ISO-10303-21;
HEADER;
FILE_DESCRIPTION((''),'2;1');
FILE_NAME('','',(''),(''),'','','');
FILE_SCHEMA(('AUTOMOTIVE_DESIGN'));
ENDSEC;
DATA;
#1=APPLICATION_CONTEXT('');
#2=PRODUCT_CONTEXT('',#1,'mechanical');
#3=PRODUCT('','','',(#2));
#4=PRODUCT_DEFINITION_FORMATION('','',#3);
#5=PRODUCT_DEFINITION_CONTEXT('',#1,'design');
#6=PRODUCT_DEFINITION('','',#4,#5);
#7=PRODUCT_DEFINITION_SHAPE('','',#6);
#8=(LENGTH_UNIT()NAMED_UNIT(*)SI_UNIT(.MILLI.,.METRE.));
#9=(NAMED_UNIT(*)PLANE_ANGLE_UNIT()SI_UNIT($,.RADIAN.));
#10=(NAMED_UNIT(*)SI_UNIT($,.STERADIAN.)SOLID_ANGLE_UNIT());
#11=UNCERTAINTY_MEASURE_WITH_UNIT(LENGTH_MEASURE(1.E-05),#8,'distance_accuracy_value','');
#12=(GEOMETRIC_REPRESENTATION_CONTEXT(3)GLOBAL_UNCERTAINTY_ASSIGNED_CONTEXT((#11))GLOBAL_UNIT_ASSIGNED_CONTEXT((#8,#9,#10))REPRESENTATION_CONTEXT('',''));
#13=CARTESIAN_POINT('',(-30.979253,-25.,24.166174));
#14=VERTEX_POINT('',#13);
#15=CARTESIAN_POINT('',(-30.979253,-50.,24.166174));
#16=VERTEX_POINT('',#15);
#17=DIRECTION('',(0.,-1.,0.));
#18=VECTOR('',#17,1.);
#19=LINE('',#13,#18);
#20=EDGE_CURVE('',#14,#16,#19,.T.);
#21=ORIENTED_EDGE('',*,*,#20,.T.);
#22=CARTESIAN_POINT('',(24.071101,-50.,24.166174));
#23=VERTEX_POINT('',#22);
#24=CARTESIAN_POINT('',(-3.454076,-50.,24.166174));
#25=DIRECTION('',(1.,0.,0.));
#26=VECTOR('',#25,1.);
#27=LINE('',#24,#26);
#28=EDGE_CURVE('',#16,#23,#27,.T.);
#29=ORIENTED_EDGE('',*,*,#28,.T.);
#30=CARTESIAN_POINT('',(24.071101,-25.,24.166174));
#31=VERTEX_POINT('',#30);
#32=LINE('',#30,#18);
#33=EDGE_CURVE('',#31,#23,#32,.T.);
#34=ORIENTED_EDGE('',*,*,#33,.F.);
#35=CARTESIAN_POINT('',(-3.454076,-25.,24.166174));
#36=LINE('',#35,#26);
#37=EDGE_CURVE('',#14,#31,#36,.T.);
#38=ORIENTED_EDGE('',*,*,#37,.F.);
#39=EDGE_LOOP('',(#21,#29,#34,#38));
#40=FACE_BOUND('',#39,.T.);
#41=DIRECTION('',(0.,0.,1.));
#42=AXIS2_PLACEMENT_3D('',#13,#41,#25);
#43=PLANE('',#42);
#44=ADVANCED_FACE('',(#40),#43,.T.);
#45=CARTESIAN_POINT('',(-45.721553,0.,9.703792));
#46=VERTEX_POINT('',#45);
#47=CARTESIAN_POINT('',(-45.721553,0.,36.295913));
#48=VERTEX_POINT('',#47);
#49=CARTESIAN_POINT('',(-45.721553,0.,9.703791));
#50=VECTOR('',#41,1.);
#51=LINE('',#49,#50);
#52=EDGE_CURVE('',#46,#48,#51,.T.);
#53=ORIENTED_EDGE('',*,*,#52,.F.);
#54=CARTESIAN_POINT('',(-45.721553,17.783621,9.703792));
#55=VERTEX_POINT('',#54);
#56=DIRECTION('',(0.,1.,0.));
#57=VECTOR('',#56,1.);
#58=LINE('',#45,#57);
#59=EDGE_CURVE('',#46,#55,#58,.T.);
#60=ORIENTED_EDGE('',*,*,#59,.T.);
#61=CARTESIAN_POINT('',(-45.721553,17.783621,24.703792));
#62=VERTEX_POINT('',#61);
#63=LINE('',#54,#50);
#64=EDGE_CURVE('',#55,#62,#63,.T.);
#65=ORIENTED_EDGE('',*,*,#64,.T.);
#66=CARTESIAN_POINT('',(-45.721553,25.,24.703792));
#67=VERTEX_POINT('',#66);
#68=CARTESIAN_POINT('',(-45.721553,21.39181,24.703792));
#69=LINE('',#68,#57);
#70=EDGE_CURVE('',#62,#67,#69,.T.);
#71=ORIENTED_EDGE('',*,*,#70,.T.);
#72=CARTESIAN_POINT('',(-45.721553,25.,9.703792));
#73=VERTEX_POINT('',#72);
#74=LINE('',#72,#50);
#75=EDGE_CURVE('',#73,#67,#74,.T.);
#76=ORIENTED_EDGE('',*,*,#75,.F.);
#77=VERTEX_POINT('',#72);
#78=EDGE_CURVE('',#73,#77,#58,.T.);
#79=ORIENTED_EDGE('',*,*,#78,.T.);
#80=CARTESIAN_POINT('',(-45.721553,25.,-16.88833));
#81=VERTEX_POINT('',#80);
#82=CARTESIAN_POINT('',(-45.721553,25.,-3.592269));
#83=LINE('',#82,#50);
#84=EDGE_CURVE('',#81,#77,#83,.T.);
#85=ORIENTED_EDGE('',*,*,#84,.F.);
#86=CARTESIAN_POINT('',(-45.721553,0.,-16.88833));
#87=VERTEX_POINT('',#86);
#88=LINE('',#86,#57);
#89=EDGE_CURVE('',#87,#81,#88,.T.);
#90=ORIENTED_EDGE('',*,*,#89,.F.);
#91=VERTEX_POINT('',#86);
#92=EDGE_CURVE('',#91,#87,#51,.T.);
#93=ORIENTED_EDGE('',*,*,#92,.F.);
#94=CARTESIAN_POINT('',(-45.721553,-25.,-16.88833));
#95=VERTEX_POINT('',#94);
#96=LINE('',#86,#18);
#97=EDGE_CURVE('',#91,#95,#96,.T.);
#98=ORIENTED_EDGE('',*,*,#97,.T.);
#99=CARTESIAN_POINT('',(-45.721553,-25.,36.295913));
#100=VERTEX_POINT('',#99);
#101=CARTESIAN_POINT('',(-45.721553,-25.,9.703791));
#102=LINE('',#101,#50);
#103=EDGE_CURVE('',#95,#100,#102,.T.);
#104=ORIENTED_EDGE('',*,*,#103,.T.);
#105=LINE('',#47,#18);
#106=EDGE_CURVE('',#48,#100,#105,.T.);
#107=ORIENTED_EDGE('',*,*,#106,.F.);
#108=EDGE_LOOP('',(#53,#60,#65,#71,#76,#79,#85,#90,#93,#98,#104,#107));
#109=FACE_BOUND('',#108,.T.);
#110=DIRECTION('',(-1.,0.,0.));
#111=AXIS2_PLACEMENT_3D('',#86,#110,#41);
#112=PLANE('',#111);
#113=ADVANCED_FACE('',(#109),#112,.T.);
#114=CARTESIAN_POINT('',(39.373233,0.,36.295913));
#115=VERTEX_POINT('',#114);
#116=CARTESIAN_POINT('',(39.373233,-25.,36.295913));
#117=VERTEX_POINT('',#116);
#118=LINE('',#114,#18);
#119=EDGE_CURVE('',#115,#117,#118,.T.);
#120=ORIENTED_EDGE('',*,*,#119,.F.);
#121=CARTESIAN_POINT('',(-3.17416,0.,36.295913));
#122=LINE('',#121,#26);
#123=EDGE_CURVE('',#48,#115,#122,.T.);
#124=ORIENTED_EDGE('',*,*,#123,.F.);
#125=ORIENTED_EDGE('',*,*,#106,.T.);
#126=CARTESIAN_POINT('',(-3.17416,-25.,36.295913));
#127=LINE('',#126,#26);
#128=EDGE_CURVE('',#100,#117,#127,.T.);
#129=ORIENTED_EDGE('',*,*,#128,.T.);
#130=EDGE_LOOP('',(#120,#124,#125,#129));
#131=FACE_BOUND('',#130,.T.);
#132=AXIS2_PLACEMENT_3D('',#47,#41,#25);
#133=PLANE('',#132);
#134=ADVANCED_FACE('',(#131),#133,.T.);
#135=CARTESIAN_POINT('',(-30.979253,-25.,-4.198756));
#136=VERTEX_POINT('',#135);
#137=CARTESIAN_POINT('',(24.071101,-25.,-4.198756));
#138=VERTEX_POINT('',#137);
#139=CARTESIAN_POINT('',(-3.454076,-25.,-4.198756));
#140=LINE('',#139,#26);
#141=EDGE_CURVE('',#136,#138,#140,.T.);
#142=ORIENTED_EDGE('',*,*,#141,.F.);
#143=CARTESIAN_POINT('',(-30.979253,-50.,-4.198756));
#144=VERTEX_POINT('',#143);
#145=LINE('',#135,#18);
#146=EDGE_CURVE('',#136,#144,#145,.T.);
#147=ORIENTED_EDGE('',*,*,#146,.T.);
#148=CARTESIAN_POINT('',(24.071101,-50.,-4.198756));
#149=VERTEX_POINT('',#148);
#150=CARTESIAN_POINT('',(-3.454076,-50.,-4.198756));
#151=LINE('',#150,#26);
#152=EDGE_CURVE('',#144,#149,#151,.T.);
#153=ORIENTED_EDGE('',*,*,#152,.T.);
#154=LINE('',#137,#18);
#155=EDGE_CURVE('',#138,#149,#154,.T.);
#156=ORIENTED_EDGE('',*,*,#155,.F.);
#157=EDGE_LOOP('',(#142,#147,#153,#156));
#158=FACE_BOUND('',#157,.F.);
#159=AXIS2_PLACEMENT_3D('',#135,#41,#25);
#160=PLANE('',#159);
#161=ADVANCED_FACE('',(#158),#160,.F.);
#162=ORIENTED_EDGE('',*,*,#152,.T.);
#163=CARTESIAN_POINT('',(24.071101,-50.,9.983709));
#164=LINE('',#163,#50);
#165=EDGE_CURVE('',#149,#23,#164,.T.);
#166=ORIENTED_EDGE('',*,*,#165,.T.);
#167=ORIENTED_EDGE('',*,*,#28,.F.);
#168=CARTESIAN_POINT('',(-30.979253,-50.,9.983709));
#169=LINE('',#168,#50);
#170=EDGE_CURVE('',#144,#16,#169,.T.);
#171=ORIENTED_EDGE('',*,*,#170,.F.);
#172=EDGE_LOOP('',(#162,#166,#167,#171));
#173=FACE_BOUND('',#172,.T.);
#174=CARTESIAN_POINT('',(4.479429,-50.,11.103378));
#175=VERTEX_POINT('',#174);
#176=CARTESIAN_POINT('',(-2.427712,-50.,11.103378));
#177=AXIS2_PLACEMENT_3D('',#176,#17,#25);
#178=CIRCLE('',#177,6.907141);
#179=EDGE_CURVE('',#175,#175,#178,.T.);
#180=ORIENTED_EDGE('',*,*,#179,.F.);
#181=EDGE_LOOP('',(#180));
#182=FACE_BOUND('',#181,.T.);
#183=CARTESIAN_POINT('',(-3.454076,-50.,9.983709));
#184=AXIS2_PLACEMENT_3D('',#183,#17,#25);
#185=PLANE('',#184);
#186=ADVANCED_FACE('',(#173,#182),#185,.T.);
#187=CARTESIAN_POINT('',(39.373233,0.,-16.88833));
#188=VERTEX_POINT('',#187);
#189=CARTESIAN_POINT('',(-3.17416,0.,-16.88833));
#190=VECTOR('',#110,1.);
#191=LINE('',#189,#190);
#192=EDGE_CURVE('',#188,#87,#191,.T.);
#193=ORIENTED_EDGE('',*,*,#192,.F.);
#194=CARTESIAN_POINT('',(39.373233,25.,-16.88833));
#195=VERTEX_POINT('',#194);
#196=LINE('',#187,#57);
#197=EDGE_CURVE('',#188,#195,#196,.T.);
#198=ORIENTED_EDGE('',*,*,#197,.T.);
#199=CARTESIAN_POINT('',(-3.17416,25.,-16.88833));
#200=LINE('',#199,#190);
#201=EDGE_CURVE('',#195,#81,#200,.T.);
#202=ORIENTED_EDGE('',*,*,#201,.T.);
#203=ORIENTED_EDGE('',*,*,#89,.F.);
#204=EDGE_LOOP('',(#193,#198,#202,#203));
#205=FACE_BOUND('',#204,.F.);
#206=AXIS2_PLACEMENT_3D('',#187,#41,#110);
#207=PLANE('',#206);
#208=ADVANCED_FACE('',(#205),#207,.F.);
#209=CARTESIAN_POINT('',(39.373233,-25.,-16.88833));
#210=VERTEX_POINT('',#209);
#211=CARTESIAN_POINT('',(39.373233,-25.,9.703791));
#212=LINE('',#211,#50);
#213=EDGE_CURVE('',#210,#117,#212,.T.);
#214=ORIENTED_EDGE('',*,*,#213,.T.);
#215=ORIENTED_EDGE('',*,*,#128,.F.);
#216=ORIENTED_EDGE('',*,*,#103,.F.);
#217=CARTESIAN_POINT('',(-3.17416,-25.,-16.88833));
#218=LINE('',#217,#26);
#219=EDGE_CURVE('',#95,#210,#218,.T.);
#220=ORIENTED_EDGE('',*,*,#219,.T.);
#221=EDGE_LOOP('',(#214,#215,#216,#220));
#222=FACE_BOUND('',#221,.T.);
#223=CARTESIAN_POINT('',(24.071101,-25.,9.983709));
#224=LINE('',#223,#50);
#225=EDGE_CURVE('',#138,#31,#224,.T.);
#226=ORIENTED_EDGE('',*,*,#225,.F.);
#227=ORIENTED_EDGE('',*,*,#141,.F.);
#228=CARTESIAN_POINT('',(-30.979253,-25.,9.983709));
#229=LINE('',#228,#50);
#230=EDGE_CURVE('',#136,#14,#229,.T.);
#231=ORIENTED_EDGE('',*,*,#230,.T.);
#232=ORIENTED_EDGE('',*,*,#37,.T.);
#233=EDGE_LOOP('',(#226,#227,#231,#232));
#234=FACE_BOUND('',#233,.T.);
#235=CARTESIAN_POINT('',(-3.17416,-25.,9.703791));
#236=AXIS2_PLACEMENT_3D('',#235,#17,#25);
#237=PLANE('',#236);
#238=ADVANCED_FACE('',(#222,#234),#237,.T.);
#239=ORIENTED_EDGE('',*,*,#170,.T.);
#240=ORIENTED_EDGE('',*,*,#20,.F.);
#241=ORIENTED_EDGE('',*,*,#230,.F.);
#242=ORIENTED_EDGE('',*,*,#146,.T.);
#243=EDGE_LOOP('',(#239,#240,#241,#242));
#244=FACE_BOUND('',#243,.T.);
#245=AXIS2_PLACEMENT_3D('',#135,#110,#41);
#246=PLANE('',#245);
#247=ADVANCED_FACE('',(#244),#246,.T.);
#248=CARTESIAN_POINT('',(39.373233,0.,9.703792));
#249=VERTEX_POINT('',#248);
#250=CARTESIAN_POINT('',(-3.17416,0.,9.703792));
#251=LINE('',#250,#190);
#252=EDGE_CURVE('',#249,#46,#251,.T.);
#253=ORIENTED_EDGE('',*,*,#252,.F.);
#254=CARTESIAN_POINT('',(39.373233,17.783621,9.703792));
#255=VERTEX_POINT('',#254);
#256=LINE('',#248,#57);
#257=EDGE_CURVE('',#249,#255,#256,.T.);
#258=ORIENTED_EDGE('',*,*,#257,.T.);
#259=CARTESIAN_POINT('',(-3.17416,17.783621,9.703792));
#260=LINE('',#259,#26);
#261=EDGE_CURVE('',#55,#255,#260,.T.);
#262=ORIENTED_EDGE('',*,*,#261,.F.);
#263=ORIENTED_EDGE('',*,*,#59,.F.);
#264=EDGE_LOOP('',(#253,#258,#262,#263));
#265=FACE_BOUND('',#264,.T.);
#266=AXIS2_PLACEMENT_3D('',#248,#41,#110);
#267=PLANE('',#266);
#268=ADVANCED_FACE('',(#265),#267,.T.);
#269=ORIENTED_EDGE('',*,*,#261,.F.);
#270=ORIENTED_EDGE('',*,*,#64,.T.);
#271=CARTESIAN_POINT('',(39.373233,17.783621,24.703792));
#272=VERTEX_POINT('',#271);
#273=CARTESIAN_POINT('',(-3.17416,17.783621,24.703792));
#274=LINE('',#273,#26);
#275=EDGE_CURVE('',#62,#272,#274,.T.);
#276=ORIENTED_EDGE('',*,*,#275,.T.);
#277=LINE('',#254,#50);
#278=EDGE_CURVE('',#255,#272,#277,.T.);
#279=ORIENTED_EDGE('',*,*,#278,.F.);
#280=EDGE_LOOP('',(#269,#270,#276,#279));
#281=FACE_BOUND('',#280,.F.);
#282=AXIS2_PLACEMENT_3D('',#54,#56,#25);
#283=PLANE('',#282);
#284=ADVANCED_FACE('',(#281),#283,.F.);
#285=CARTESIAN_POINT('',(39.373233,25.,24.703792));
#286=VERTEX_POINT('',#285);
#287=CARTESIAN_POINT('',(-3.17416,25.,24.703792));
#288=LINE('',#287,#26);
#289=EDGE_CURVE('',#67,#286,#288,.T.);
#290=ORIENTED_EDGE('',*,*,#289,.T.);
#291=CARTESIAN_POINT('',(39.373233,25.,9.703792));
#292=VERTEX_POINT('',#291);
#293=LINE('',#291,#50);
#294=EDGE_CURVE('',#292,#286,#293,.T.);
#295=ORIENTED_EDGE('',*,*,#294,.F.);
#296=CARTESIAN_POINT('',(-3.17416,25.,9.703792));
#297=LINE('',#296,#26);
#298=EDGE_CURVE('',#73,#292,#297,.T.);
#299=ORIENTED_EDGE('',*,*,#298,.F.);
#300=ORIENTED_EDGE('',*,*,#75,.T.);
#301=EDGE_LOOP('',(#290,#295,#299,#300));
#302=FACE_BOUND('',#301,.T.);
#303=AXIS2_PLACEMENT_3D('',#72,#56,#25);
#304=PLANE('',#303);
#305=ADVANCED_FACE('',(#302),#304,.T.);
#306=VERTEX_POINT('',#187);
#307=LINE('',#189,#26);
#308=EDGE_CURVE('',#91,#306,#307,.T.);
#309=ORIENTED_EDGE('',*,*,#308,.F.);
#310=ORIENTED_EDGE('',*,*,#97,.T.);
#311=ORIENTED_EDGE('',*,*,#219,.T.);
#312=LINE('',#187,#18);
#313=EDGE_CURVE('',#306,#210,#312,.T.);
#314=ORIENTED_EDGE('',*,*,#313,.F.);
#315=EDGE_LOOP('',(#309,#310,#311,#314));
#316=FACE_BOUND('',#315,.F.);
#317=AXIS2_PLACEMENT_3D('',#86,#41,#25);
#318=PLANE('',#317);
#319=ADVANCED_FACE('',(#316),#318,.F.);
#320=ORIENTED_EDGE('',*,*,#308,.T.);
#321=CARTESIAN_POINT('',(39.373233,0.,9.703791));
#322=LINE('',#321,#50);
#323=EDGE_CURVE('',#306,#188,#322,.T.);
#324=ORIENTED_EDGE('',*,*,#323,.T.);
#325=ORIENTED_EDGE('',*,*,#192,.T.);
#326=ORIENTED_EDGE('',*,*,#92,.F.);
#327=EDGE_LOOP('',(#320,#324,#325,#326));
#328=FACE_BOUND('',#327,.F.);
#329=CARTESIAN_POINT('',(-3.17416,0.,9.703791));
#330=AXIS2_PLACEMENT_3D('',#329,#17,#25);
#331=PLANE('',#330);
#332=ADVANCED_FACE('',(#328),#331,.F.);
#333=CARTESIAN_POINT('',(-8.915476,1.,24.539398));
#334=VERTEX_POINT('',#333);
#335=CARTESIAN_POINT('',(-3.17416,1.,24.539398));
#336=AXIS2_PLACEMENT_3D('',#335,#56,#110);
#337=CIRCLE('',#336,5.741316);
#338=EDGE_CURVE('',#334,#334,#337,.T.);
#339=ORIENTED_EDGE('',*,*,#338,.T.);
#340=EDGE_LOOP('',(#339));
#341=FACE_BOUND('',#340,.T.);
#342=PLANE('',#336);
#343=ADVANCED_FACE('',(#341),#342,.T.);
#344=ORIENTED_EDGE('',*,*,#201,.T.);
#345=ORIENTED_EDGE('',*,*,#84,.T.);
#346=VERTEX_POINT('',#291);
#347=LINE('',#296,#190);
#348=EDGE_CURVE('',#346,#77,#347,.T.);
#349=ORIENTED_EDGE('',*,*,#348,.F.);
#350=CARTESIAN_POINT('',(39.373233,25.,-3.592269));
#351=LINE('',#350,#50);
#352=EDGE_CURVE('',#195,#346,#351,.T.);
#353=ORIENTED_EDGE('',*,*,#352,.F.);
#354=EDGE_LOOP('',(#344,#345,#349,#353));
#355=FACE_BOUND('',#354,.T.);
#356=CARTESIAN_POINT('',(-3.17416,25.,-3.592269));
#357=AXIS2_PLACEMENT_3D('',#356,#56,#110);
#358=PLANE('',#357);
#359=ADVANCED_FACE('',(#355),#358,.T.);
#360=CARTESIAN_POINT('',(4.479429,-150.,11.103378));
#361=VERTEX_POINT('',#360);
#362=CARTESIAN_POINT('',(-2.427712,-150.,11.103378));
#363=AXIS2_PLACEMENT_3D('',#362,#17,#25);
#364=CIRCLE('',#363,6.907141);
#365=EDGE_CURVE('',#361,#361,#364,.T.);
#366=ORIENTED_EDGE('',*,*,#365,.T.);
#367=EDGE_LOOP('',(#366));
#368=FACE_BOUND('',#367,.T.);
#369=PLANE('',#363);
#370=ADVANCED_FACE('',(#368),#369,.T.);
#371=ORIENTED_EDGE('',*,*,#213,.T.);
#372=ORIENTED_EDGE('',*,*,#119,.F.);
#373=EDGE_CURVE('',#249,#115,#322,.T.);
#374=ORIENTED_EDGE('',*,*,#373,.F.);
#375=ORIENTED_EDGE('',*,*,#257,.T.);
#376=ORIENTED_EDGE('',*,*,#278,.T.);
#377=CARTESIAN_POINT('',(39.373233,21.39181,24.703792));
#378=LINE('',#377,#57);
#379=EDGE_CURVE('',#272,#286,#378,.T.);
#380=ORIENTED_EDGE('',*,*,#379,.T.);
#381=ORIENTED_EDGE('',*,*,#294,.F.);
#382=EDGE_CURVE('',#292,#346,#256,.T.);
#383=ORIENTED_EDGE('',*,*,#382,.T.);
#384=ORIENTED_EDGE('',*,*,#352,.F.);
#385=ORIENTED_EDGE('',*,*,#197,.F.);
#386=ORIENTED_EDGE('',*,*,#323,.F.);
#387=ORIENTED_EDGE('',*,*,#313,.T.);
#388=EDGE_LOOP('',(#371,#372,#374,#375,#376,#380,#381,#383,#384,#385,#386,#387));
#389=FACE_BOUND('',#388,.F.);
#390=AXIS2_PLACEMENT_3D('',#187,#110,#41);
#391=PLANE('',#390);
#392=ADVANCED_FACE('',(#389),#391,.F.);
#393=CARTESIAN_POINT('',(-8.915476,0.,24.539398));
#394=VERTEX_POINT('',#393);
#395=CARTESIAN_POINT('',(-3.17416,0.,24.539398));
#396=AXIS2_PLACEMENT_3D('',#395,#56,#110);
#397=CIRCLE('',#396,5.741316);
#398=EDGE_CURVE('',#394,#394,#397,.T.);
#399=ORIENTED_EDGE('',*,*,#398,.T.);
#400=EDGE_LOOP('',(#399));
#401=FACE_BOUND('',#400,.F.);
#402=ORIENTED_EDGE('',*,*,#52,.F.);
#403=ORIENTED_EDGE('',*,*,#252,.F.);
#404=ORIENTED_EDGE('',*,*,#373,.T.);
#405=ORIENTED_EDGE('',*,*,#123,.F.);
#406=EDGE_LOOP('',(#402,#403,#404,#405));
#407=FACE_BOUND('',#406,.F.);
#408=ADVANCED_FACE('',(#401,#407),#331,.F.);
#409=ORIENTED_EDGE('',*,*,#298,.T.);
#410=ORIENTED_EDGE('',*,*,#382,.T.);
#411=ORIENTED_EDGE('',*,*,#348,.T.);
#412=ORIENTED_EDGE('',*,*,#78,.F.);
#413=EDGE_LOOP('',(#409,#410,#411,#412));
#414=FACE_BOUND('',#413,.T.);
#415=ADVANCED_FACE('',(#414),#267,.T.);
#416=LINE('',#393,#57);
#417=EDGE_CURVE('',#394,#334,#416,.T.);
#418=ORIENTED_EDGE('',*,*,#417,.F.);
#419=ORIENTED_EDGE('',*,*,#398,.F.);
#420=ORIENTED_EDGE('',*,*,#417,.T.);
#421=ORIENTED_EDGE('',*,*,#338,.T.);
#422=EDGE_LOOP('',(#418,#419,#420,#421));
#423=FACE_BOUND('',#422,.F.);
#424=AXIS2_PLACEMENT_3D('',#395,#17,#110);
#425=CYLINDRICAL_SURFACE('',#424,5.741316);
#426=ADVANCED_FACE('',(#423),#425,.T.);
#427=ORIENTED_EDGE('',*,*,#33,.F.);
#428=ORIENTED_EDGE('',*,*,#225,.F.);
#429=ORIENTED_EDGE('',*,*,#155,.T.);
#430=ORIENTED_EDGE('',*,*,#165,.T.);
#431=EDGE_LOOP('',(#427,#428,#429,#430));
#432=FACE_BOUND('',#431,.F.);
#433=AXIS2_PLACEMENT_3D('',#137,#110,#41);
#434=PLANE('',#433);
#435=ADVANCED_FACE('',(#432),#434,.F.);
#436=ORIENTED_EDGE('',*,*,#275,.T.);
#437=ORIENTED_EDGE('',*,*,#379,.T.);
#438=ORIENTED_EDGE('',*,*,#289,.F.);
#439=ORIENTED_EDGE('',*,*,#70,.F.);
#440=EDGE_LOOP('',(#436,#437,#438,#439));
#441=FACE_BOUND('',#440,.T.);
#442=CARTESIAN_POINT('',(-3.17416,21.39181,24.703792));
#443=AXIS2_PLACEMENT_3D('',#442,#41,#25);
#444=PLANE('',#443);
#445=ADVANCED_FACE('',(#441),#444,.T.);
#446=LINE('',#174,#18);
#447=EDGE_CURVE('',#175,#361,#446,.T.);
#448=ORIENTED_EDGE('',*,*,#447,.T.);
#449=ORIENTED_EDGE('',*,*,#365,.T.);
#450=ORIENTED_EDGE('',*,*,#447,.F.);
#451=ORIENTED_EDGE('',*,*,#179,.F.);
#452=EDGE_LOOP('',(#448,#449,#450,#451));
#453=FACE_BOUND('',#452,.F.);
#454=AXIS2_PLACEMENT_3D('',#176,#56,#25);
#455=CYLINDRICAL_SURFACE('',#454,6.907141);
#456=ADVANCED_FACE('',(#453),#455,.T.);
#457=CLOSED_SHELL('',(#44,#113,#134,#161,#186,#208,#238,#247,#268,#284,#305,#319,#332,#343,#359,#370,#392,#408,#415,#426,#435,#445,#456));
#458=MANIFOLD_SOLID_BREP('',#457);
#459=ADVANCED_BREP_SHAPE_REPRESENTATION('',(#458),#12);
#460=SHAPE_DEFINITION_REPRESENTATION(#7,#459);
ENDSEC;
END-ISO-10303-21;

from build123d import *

# Parameters (mm, degrees)
F0_W      = 85.094787
F0_H      = 53.184243
F1_DEPTH  = 25
F2_W      = 55.050354
F2_H      = 28.36493
F3_DEPTH  = 25
F4_R      = 6.907141
F5_DEPTH  = 100
F6_W      = 85.094787
F6_H      = 26.592122
F7_DEPTH  = 25
F8_W      = 85.094787
F8_H      = 7.216379
F9_DEPTH  = 15
F10_R     = 5.741316
F11_DEPTH = 1


with BuildPart() as f1:
    # F0 (on Front) → F1 (new body)
    with BuildSketch(Plane.XZ):
        with Locations((-3.17416, 9.703791)):
            Rectangle(F0_W, F0_H)
    extrude(amount=F1_DEPTH)

    # F2 (on face) → F3 (join)
    with BuildSketch(Plane.XZ.offset(25)):
        with Locations((-3.454076, 9.983709)):
            Rectangle(F2_W, F2_H)
    extrude(amount=F3_DEPTH)

    # F4 (on face) → F5 (join)
    with BuildSketch(Plane.XZ.offset(50)):
        with Locations((-2.427712, 11.103378)):
            Circle(F4_R)
    extrude(amount=F5_DEPTH)

    # F6 (on face) → F7 (join)
    with BuildSketch(Plane(origin=(0, 0, 0), x_dir=(-1, 0, 0), z_dir=(0, 1, 0))):
        with Locations((3.17416, -3.592269)):
            Rectangle(F6_W, F6_H)
    extrude(amount=F7_DEPTH)

    # F8 (on face) → F9 (join)
    with BuildSketch(Plane.XY.offset(9.703792)):
        with Locations((-3.17416, 21.39181)):
            Rectangle(F8_W, F8_H)
    extrude(amount=F9_DEPTH)

    # F10 (on face) → F11 (join)
    with BuildSketch(Plane(origin=(0, 0, 0), x_dir=(-1, 0, 0), z_dir=(0, 1, 0))):
        with Locations((3.17416, 24.539398)):
            Circle(F10_R)
    extrude(amount=F11_DEPTH)


solid = f1.part
